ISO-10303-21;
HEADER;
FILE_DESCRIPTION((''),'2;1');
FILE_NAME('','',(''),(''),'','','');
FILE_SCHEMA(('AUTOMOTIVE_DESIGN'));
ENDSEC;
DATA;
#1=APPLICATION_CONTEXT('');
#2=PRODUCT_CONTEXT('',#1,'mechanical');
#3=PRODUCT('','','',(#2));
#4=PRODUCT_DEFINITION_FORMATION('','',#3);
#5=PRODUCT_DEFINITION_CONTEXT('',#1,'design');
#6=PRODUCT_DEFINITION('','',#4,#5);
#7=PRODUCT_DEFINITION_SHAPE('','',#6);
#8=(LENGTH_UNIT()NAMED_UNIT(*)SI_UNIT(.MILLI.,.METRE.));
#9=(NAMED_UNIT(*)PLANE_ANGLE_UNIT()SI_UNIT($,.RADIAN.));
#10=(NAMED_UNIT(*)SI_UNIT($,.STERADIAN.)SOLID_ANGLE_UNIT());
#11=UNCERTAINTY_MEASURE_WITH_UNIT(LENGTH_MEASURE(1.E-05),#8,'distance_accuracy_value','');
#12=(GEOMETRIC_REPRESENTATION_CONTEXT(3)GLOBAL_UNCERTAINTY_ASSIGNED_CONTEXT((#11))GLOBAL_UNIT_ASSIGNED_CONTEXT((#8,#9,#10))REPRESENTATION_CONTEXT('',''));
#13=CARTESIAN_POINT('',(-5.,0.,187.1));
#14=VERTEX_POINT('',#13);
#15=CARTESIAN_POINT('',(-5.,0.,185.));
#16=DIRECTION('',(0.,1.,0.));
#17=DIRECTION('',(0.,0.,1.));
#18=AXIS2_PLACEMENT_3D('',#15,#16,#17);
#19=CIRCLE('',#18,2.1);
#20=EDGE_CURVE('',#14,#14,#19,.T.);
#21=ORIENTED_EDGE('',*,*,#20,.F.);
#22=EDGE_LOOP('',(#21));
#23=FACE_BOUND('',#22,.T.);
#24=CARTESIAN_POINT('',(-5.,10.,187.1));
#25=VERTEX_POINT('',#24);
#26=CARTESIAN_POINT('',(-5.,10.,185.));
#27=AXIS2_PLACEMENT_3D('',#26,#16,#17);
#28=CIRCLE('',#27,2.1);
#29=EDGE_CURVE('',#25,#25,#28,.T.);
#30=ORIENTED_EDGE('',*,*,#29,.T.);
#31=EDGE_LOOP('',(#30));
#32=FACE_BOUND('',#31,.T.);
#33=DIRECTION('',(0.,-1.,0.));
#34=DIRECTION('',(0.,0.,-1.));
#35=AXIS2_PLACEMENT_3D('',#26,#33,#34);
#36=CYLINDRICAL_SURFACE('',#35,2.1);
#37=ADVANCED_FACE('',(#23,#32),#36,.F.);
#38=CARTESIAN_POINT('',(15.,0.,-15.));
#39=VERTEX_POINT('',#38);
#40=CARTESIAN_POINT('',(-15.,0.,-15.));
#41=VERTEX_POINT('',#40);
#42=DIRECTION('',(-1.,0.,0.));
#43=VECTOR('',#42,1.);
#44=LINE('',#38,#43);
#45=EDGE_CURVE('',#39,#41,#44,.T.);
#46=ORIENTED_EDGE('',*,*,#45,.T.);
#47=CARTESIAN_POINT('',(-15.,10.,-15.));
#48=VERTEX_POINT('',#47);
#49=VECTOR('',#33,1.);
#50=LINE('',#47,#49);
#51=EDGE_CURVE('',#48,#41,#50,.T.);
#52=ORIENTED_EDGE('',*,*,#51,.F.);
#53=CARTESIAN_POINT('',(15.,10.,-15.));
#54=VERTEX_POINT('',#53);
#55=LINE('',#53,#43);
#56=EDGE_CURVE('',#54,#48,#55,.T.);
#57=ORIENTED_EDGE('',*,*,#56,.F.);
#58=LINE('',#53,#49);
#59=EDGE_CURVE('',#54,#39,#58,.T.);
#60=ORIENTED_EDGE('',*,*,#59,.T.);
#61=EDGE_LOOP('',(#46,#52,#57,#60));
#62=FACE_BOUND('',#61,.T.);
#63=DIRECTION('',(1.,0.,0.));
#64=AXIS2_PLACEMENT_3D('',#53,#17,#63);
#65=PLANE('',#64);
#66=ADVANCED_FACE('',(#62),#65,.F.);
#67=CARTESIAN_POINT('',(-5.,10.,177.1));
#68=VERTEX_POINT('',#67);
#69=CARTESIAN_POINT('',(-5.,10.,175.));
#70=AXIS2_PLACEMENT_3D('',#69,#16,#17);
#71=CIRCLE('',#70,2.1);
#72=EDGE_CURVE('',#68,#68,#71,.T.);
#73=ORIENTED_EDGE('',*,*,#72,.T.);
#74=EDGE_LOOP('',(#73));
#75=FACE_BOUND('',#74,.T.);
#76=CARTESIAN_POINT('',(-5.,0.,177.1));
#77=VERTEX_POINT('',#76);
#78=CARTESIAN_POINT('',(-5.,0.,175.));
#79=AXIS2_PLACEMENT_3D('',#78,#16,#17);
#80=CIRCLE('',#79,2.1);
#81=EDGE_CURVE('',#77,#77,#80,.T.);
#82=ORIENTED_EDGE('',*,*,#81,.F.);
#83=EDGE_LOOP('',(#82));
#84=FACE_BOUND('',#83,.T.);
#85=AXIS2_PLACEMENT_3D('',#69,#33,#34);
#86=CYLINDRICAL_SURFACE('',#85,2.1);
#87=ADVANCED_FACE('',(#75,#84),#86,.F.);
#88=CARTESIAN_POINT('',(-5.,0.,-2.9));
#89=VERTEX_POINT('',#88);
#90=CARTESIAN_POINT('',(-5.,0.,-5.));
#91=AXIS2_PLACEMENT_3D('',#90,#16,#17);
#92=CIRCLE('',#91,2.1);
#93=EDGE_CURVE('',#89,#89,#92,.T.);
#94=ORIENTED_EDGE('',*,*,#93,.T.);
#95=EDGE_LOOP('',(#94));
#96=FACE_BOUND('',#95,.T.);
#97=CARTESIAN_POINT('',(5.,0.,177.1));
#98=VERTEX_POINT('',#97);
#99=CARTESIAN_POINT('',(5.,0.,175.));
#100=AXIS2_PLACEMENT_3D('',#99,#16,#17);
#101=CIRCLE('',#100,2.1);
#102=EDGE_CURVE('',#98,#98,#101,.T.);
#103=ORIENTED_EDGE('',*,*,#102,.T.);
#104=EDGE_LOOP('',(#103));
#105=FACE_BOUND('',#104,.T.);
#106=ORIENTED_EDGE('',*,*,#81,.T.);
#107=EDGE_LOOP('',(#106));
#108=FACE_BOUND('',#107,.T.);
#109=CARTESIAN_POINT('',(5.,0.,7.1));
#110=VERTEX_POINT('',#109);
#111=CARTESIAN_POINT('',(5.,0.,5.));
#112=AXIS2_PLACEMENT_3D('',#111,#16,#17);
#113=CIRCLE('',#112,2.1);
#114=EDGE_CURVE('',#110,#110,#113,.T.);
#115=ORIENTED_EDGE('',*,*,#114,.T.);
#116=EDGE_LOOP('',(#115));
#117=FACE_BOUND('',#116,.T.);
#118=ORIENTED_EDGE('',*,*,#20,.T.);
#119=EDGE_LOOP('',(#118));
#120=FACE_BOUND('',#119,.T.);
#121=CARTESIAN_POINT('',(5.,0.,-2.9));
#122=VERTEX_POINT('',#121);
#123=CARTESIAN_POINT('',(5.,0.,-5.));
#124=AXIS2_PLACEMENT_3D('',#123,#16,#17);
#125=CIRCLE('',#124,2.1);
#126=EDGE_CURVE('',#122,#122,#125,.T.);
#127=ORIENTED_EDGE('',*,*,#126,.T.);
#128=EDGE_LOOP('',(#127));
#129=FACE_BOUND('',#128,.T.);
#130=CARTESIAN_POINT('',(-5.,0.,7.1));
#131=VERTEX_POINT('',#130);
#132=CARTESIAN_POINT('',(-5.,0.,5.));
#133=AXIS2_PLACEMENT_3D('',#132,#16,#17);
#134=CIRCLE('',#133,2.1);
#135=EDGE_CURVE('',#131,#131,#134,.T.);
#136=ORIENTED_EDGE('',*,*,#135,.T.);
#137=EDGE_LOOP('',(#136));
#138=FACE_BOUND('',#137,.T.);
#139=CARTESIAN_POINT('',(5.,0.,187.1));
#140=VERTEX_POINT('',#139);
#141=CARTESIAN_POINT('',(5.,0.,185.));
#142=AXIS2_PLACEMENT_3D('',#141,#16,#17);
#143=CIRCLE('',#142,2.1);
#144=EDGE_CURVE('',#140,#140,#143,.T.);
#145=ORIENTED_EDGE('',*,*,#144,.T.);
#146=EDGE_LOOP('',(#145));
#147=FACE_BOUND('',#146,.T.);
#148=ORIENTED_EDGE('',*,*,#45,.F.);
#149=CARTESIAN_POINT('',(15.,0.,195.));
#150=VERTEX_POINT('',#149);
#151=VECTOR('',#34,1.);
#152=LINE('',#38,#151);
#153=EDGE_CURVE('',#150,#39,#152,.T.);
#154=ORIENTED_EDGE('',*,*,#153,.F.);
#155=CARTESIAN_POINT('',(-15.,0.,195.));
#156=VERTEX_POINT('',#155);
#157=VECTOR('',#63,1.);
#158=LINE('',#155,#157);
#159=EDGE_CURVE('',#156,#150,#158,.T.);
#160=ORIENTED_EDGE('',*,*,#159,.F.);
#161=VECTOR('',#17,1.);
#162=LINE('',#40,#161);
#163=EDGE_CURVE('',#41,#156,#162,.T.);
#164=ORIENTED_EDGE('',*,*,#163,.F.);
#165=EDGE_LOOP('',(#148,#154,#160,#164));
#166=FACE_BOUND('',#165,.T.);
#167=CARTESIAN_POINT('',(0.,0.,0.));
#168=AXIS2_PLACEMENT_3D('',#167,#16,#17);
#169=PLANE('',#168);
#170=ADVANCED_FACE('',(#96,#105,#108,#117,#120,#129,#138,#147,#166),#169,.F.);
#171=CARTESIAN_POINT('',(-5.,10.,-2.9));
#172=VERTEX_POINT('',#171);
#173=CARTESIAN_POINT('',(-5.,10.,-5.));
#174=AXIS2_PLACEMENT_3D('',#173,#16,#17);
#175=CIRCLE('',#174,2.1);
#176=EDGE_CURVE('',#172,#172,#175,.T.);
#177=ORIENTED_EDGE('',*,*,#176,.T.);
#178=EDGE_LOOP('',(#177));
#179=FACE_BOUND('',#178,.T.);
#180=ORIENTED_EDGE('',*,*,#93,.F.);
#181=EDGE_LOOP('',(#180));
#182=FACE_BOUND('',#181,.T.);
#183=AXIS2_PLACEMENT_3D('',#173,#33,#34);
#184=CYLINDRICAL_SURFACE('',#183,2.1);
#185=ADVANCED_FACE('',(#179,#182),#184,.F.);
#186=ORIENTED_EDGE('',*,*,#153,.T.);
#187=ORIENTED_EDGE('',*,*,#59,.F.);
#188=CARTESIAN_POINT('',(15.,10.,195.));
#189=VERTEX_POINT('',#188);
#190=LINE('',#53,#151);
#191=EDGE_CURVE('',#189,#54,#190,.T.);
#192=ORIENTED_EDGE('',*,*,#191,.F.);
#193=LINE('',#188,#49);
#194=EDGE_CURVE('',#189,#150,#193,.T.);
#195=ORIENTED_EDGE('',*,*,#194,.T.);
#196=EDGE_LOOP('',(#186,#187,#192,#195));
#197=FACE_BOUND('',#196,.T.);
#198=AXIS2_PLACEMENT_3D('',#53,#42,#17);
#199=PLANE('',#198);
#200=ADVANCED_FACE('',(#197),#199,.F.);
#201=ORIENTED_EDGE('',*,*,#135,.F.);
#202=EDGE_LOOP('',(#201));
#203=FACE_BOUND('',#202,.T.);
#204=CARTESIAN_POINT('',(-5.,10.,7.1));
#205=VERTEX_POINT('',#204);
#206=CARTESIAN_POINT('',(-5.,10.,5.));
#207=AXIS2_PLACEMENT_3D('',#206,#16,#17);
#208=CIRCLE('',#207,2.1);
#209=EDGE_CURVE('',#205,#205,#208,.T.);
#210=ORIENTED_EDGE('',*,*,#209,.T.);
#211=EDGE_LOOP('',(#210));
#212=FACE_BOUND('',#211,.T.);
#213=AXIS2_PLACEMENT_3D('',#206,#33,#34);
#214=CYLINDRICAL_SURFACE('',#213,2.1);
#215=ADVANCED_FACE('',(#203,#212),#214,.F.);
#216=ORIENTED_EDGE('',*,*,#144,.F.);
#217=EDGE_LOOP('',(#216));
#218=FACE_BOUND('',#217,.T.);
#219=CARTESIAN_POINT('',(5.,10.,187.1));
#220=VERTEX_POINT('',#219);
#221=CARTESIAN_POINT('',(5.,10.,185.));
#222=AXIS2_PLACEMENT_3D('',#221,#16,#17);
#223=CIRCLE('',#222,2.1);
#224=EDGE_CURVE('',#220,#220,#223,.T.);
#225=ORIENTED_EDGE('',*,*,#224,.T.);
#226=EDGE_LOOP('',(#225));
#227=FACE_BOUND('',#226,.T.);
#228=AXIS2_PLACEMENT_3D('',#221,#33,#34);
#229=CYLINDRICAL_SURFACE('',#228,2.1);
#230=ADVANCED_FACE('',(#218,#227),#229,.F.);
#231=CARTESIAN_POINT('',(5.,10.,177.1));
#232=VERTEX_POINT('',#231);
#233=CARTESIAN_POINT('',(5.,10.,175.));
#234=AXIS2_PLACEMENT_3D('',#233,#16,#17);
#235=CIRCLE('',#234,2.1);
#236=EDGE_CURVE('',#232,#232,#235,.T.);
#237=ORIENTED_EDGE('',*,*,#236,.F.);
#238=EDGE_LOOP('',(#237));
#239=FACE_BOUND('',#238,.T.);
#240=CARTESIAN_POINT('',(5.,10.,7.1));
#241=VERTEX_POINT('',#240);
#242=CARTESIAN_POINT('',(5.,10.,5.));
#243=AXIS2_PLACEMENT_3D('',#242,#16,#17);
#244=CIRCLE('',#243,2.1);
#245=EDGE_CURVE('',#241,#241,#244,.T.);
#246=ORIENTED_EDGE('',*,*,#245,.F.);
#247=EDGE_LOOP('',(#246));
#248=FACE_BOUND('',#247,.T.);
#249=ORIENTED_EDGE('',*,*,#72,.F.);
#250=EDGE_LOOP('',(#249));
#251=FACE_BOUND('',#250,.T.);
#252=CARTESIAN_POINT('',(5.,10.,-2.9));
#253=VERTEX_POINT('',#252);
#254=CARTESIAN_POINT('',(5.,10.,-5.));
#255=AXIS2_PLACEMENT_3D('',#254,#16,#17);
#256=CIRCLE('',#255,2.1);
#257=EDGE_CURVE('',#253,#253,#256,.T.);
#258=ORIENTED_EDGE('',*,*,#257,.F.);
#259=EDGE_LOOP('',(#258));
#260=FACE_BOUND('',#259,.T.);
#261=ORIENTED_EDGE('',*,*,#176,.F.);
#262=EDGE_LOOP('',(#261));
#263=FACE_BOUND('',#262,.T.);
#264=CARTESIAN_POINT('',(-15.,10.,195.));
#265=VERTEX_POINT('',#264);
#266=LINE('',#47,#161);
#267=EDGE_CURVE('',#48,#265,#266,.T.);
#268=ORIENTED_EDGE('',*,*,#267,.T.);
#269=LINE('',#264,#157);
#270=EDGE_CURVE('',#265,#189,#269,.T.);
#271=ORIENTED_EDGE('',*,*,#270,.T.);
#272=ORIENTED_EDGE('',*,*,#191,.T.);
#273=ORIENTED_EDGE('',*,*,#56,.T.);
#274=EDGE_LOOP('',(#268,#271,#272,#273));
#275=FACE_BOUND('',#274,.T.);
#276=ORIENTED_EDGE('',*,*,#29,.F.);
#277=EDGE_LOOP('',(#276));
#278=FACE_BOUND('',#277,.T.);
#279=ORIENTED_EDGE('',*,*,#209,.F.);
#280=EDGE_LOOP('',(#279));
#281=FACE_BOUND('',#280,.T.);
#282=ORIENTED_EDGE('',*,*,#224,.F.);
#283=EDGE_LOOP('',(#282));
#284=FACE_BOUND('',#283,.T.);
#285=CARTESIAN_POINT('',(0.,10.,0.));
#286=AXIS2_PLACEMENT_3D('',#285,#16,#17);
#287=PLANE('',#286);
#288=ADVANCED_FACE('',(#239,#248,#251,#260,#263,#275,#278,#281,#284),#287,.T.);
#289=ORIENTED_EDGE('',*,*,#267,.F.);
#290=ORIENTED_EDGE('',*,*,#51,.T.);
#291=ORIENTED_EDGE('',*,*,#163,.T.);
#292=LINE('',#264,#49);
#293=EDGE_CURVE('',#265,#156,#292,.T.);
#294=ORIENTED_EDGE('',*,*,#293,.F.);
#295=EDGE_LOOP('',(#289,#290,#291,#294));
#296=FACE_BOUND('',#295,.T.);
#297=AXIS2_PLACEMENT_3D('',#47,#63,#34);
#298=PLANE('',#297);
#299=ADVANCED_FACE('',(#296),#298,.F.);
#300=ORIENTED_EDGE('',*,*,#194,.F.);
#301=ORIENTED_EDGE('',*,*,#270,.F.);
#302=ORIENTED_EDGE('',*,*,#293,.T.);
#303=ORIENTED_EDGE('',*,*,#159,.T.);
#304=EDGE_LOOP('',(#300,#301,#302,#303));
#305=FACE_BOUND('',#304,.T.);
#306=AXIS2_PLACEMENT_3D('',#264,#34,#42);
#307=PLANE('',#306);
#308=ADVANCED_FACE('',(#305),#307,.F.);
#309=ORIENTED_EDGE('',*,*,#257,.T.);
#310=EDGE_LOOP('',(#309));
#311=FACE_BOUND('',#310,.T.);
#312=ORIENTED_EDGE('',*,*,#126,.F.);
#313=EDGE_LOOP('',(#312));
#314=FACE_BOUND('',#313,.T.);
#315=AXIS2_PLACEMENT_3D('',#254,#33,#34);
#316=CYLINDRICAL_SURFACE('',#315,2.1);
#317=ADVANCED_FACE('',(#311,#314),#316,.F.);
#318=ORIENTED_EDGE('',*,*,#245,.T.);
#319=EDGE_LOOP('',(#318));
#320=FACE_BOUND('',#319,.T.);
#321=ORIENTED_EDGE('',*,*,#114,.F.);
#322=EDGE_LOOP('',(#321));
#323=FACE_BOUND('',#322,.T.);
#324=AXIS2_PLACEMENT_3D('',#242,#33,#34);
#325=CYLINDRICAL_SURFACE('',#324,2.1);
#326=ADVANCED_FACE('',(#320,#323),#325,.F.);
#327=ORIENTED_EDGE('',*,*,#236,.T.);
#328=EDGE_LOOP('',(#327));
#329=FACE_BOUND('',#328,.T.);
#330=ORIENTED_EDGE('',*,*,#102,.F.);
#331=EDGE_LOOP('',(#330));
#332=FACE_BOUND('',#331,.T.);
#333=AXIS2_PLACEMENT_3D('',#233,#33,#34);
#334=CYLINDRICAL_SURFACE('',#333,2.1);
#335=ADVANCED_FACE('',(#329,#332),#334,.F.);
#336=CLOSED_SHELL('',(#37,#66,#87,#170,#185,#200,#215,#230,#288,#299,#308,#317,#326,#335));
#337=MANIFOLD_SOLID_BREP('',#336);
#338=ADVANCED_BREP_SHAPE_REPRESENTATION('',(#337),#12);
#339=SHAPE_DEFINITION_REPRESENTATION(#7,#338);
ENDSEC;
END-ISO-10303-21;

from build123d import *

# Parameters (mm, degrees)
SKETCH_1_W      = 30
SKETCH_1_H      = 210
SKETCH_1_R      = 2.1
EXTRUDE_2_DEPTH = 10


with BuildPart() as part:
    # Эскиз1 → Бобышка-Вытянуть2 (new body)
    with BuildSketch(Plane(origin=(0, 0, 0), x_dir=(1, 0, 0), z_dir=(0, 1, 0))):
        with Locations((0, -90)):
            Rectangle(SKETCH_1_W, SKETCH_1_H)
        with Locations(Location((-5, 5, 0), (0, 0, 270))):
            Circle(SKETCH_1_R, mode=Mode.SUBTRACT)
        with Locations(Location((5, 5, 0), (0, 0, 270))):
            Circle(SKETCH_1_R, mode=Mode.SUBTRACT)
        with Locations(Location((-5, -5, 0), (0, 0, 270))):
            Circle(SKETCH_1_R, mode=Mode.SUBTRACT)
        with Locations(Location((5, -5, 0), (0, 0, 270))):
            Circle(SKETCH_1_R, mode=Mode.SUBTRACT)
        with Locations(Location((-5, -175, 0), (0, 0, 270))):
            Circle(SKETCH_1_R, mode=Mode.SUBTRACT)
        with Locations(Location((5, -175, 0), (0, 0, 270))):
            Circle(SKETCH_1_R, mode=Mode.SUBTRACT)
        with Locations(Location((5, -185, 0), (0, 0, 270))):
            Circle(SKETCH_1_R, mode=Mode.SUBTRACT)
        with Locations(Location((-5, -185, 0), (0, 0, 270))):
            Circle(SKETCH_1_R, mode=Mode.SUBTRACT)
    extrude(amount=EXTRUDE_2_DEPTH)


solid = part.part
